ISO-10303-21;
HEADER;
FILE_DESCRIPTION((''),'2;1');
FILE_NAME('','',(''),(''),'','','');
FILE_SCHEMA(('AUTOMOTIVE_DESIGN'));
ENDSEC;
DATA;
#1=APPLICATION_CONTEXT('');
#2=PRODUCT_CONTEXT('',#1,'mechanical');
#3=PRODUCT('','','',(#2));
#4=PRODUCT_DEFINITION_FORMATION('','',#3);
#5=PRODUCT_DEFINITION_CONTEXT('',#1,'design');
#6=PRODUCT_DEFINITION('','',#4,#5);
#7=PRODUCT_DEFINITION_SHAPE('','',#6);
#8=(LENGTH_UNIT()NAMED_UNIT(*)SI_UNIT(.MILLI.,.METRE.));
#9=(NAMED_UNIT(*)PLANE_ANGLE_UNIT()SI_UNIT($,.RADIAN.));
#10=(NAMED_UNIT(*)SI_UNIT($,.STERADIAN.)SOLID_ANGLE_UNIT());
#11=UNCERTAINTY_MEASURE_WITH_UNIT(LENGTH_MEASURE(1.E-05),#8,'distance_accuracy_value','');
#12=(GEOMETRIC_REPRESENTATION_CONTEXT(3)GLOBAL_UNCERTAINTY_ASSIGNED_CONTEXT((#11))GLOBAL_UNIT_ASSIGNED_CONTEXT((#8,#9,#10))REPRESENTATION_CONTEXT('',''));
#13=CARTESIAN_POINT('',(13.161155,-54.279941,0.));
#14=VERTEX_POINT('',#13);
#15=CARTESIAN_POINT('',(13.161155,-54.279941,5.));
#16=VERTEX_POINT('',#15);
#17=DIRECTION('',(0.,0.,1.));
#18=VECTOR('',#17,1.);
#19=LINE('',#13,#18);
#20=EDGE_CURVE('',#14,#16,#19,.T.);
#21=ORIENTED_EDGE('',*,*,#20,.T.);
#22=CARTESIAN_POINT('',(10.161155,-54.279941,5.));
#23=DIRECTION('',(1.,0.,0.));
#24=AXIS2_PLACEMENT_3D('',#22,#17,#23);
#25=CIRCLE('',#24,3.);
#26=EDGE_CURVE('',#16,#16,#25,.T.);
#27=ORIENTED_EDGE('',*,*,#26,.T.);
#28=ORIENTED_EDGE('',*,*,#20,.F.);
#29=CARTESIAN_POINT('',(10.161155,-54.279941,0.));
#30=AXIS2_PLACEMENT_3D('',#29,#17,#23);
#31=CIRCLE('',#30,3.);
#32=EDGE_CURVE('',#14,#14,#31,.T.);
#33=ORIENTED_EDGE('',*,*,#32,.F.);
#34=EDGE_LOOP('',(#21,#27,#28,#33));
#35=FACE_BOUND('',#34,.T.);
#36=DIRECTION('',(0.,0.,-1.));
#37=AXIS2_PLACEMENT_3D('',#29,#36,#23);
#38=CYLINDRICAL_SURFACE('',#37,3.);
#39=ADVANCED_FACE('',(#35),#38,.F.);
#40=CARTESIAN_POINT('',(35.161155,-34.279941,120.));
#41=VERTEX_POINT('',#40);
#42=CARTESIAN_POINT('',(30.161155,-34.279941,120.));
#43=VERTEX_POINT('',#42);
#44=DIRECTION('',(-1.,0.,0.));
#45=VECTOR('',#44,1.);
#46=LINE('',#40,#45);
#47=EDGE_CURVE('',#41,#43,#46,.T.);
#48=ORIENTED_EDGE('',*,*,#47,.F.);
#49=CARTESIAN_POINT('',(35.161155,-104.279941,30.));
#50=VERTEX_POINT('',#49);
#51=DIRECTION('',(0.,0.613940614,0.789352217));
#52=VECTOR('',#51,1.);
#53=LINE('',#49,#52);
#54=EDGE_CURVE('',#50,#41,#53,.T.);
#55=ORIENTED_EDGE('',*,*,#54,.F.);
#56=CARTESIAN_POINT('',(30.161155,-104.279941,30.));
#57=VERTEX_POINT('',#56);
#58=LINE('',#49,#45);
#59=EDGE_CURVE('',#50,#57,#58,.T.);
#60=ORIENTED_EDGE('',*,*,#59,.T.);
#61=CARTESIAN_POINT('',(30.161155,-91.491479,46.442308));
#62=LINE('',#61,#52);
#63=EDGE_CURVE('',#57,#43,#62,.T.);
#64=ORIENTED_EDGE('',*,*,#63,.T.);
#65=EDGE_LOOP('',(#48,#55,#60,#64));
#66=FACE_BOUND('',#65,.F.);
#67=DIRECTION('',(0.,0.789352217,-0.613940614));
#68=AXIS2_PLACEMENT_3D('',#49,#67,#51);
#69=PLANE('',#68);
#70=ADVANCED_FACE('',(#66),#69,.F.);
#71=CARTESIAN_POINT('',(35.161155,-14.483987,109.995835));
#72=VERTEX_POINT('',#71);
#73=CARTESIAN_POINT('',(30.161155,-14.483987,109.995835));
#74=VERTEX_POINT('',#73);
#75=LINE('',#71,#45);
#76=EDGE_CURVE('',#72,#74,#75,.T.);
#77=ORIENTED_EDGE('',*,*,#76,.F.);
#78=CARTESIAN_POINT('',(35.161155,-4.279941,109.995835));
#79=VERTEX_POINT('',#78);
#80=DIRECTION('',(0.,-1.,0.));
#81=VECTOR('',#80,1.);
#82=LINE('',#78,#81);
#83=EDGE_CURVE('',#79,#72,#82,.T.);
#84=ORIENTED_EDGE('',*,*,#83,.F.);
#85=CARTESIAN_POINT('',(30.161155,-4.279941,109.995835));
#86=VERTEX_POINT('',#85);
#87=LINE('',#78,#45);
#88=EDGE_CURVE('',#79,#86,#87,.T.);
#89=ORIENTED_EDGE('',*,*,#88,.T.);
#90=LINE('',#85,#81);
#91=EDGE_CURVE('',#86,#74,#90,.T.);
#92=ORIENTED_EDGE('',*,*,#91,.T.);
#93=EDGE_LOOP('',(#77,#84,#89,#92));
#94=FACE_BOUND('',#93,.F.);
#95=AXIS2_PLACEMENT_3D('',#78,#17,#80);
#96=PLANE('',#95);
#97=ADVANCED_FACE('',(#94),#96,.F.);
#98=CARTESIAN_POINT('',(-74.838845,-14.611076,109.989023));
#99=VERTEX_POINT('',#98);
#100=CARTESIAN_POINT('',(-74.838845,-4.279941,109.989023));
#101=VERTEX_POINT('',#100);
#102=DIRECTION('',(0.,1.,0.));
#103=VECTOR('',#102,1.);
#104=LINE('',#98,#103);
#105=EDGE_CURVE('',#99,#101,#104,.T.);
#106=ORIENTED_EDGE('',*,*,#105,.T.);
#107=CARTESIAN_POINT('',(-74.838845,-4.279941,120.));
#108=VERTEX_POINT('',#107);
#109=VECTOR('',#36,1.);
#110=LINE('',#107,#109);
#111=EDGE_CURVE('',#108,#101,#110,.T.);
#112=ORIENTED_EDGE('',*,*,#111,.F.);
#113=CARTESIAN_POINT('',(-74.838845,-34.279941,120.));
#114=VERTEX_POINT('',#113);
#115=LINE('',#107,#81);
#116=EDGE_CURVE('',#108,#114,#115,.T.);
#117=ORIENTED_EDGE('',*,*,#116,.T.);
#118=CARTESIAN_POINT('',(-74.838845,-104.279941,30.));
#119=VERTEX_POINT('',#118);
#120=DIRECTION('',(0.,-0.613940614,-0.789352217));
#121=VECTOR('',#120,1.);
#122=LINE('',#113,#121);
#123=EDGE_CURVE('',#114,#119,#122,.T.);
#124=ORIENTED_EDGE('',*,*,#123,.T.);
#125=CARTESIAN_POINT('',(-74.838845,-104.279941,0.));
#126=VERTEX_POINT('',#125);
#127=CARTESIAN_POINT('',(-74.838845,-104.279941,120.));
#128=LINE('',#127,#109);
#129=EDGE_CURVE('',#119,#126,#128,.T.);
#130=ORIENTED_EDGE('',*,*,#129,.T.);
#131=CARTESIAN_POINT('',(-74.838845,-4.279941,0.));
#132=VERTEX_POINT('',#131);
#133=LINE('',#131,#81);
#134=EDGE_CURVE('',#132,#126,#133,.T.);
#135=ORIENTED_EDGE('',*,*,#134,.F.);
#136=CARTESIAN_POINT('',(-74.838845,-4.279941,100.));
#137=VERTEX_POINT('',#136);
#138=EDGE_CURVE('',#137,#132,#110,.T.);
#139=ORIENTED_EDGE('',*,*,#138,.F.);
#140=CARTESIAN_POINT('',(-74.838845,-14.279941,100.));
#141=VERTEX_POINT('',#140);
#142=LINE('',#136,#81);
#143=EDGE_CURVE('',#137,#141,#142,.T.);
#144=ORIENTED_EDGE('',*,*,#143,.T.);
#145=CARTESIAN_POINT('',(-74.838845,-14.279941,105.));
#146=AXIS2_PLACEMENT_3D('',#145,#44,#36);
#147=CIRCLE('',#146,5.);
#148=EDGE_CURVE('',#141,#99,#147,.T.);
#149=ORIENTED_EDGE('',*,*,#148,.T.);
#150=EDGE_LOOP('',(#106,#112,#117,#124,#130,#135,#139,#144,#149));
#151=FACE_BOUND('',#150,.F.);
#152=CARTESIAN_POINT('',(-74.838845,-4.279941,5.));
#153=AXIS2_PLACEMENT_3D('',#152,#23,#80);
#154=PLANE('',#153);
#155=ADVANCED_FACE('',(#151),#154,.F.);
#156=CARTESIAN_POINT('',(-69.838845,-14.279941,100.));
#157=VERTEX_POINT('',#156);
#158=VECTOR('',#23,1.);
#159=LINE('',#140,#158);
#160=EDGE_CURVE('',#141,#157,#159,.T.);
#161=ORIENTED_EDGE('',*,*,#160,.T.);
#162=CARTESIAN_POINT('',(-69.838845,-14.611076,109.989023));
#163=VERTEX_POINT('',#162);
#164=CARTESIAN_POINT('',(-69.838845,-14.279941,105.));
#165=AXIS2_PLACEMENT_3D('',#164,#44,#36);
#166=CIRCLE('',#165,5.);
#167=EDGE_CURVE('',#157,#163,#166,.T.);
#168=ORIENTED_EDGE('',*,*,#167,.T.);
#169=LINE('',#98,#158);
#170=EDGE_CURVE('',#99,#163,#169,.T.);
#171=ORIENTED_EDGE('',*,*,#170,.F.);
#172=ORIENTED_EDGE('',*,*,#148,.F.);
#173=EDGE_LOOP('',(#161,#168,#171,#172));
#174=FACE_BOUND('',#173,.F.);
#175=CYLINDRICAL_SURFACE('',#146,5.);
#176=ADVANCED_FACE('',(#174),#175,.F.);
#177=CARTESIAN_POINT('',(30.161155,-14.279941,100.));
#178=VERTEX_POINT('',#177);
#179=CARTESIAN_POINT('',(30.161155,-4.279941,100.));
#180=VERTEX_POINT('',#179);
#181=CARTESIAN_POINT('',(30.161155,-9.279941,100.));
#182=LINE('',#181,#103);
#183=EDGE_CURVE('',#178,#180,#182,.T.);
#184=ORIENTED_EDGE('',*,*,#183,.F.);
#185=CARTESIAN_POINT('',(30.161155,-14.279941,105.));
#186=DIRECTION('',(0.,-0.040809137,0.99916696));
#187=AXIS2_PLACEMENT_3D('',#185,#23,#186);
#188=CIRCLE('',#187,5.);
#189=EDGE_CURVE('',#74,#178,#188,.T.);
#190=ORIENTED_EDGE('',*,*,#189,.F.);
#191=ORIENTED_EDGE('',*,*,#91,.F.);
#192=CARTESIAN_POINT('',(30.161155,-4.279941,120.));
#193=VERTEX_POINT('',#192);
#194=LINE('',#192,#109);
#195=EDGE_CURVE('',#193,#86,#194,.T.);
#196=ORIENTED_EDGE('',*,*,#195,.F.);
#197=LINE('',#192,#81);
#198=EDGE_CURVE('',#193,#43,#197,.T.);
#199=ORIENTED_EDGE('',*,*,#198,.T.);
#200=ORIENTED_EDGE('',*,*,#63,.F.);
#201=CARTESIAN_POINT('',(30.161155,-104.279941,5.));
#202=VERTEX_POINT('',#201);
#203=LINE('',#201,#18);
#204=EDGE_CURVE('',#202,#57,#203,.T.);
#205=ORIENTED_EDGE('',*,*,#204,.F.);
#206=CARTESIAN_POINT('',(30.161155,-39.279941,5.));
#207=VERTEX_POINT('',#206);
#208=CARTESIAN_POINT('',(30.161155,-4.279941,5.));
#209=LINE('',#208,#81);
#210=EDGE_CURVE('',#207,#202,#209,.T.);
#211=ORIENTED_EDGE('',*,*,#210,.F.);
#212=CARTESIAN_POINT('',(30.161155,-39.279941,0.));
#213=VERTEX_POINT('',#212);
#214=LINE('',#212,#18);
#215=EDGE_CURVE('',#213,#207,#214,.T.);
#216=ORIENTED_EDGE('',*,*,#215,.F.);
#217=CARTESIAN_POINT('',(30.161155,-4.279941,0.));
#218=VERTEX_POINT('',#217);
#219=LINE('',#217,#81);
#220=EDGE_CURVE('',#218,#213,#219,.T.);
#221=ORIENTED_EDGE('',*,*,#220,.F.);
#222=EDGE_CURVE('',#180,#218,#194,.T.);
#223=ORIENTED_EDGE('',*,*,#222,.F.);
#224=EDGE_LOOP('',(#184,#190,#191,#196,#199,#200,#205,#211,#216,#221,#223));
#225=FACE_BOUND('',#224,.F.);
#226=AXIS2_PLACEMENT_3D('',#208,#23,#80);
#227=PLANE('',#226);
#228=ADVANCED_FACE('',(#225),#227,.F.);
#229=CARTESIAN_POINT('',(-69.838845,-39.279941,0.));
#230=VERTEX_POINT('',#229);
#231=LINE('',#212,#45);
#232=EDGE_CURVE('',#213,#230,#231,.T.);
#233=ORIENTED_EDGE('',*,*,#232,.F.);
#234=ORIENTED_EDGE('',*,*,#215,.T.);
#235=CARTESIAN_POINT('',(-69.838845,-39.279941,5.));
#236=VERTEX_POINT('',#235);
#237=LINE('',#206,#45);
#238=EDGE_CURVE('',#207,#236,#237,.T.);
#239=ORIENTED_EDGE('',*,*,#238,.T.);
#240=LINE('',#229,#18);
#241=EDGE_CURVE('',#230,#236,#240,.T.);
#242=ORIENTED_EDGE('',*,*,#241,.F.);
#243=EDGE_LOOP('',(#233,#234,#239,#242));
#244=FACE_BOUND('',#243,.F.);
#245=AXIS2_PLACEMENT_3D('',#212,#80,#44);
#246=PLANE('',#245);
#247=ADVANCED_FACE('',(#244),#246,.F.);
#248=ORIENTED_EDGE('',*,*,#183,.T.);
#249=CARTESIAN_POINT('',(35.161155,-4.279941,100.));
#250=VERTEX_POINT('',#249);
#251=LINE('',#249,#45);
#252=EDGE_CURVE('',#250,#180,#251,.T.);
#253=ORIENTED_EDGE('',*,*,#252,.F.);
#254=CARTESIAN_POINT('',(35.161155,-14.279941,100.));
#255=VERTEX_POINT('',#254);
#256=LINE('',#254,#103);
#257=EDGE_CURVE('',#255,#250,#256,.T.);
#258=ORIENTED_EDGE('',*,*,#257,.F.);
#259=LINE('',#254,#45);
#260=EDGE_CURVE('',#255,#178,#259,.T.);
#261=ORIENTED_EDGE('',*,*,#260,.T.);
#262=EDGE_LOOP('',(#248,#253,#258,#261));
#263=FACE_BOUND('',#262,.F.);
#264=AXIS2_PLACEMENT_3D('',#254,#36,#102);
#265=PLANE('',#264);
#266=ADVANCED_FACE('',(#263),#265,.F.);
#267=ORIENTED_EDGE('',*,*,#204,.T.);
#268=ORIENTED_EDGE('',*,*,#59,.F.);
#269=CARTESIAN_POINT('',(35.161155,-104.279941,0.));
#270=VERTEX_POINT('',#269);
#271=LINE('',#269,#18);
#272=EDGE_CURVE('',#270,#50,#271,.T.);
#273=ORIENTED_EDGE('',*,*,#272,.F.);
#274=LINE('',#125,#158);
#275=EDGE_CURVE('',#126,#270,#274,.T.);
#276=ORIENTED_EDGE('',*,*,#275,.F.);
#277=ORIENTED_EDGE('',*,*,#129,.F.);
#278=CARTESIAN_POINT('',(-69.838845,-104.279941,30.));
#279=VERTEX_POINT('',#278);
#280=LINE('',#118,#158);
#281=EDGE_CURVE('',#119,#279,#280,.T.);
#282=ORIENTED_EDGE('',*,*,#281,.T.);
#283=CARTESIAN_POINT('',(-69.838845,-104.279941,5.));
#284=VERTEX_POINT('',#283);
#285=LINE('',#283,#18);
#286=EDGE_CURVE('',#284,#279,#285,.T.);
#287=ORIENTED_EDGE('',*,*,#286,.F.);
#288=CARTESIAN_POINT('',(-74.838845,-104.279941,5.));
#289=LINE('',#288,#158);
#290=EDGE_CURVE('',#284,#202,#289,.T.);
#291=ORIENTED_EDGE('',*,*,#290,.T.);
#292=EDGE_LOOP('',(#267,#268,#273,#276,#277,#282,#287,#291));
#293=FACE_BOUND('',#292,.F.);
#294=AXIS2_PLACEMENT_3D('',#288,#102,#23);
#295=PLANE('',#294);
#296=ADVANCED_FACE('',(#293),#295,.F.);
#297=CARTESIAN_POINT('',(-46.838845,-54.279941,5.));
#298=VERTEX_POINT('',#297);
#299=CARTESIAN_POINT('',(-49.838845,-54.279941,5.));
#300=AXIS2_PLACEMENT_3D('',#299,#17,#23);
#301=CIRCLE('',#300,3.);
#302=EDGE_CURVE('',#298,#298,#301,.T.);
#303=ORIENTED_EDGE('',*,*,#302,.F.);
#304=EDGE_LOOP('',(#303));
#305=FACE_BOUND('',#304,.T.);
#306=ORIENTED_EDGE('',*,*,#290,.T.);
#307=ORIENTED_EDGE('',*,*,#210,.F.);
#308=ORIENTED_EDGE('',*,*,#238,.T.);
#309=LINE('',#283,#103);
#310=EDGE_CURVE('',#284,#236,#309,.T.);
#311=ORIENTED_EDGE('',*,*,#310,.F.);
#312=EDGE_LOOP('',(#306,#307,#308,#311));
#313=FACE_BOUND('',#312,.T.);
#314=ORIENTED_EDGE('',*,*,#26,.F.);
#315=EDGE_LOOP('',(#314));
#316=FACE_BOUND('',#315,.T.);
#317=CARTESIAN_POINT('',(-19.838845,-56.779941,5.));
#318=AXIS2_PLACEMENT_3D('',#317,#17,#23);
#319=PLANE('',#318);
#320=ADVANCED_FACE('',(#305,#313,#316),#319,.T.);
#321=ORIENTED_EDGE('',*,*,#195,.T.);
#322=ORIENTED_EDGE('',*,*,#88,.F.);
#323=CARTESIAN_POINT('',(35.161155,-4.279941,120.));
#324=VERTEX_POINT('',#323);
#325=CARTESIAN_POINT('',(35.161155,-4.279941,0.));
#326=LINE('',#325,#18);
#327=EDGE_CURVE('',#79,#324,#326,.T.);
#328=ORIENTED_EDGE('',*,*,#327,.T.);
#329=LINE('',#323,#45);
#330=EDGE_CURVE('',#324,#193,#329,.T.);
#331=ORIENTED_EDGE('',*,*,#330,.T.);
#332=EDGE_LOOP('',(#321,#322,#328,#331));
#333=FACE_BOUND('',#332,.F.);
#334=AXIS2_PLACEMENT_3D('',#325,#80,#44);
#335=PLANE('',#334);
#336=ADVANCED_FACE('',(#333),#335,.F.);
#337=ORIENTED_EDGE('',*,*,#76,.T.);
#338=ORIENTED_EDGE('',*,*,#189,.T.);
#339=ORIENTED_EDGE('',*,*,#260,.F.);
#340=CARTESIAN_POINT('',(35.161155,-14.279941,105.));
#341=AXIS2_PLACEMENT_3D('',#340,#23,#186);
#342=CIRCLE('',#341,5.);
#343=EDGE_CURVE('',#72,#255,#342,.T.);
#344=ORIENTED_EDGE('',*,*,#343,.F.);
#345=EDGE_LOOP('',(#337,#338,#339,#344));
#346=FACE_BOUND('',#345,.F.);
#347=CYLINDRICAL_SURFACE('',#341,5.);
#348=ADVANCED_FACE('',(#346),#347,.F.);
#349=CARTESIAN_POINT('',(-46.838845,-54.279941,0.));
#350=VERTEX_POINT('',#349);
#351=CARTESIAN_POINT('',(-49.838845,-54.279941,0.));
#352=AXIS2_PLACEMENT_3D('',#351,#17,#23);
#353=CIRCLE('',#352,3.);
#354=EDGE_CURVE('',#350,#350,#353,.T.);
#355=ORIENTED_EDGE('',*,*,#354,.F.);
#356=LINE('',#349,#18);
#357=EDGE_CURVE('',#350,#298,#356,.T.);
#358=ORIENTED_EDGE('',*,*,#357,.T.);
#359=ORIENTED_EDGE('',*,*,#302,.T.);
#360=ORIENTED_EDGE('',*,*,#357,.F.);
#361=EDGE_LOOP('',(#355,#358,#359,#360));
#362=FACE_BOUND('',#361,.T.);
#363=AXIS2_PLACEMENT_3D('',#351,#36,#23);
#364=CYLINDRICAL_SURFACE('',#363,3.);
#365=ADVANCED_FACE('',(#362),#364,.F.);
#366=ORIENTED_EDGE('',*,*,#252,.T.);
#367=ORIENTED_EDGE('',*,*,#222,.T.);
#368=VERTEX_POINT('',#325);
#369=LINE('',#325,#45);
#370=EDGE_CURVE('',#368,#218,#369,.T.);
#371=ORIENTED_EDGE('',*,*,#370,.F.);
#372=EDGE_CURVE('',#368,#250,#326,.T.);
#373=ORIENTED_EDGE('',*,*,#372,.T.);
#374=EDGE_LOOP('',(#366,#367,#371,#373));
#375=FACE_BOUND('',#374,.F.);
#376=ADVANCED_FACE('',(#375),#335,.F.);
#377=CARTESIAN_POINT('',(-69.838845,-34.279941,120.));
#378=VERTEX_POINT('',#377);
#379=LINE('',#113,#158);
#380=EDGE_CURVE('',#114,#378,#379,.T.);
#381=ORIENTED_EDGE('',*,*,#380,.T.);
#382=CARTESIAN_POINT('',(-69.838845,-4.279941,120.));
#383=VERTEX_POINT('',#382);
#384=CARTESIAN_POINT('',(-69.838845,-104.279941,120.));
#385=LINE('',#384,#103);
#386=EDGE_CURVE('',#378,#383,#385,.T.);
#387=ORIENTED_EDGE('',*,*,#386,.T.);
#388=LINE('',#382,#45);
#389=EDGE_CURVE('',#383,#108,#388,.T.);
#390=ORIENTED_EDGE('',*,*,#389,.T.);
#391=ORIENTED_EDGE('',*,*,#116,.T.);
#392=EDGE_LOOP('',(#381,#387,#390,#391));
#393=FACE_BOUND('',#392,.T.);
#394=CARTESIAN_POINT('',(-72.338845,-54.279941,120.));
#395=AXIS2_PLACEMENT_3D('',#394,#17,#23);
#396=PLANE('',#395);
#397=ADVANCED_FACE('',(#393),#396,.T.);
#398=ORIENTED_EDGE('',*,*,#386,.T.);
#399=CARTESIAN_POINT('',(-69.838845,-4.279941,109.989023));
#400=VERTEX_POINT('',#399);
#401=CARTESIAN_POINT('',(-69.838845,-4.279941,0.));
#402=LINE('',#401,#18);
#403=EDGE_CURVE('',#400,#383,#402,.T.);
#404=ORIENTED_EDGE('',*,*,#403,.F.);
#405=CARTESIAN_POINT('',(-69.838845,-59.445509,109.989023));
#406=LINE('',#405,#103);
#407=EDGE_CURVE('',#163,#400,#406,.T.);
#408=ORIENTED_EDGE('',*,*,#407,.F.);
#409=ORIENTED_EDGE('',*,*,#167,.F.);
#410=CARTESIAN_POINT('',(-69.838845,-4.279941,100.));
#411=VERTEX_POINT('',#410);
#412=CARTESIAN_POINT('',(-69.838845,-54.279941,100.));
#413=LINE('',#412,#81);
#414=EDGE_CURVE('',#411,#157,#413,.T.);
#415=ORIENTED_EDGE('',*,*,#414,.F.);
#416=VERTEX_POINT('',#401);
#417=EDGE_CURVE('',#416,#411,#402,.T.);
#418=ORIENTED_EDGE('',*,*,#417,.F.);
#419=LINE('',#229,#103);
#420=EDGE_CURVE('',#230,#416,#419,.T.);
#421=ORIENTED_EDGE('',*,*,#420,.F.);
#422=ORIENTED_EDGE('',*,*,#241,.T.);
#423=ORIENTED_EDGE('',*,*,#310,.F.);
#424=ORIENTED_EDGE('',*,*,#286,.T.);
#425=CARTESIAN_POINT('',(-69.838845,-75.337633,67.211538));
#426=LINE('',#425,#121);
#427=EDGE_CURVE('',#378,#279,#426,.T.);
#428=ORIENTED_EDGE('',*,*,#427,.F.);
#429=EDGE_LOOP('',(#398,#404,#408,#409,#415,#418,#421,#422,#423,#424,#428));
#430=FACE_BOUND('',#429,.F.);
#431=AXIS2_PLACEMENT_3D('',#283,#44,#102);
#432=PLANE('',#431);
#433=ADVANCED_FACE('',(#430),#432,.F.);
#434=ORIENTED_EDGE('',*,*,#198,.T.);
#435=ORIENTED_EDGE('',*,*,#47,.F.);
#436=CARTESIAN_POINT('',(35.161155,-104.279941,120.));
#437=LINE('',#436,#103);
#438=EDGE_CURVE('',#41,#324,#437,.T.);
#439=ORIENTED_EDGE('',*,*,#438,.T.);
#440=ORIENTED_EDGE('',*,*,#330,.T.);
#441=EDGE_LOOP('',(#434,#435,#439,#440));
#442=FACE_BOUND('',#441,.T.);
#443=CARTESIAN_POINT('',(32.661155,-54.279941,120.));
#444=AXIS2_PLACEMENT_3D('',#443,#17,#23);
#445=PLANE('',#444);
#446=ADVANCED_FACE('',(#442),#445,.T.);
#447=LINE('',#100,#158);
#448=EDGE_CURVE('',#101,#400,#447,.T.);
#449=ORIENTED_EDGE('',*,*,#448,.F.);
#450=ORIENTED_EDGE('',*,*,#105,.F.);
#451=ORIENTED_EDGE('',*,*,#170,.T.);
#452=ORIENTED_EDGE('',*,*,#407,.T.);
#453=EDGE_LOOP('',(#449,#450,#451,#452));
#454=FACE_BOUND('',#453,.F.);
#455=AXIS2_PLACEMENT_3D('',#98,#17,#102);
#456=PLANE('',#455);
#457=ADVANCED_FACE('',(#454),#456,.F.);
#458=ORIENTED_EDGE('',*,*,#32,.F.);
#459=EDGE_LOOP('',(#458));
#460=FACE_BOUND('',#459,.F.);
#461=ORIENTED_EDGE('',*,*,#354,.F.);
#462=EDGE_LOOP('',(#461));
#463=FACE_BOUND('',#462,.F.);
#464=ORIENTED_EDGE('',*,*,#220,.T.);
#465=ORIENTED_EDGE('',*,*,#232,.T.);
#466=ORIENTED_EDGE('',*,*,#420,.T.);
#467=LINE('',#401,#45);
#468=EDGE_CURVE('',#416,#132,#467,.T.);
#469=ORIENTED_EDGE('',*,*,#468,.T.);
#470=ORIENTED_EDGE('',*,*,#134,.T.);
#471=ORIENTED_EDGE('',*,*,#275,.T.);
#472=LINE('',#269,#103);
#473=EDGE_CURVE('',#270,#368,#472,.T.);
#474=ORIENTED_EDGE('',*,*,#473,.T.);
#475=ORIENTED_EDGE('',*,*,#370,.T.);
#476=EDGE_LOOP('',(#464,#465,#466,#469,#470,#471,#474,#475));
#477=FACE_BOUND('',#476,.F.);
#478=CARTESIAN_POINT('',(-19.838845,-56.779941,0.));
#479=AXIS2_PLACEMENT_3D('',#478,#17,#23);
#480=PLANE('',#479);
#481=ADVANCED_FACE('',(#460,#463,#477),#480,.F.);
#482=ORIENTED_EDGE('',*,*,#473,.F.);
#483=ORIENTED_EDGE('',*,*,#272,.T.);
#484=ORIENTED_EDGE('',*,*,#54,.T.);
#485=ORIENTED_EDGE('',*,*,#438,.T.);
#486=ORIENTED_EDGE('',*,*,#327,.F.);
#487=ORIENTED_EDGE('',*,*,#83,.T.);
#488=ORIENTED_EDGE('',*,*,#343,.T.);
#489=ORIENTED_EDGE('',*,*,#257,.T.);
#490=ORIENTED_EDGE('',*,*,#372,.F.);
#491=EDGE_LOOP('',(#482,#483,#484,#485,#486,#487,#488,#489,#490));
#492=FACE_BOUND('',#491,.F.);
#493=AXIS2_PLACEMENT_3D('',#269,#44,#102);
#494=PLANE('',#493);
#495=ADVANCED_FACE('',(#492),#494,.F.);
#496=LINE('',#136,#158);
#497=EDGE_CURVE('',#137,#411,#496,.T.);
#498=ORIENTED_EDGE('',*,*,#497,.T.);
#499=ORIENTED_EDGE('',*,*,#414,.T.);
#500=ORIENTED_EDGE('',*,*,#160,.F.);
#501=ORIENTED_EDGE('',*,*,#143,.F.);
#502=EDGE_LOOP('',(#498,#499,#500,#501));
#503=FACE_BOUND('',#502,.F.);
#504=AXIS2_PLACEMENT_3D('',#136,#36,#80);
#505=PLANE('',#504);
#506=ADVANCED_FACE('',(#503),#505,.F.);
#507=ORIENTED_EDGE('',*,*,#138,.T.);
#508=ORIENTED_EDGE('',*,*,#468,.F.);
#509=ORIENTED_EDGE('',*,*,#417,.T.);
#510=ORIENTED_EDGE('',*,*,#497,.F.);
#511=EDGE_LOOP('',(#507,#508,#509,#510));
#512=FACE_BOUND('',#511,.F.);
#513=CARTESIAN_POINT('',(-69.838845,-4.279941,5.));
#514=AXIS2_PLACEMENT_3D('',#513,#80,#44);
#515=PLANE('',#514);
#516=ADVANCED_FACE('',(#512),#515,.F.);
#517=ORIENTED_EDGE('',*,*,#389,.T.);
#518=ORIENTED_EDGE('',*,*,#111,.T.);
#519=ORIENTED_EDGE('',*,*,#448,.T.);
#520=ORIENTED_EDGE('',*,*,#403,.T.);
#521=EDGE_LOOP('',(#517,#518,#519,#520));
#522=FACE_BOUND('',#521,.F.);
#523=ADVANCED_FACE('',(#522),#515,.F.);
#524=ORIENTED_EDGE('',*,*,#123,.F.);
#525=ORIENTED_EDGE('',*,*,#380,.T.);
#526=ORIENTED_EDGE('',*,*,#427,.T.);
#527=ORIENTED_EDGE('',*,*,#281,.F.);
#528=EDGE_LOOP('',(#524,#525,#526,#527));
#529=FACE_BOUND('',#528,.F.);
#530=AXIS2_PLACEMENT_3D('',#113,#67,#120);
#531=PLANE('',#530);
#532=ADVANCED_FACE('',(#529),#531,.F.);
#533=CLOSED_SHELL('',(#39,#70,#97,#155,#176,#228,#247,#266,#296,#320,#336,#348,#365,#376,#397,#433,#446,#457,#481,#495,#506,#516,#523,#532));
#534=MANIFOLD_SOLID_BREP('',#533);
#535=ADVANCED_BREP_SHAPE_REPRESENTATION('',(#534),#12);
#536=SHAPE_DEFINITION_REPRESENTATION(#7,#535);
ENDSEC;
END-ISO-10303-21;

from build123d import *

# Parameters (mm, degrees)
F0_R     = 3
F1_DEPTH = 5
F3_DEPTH = 115
F5_DEPTH = 25
F7_DEPTH = 25


with BuildPart() as f1:
    # F0 (on Top) → F1 (new body)
    with BuildSketch(Plane.XY):
        Polygon((-74.838845, -4.279941), (-74.838845, -104.279941), (35.161155, -104.279941), (35.161155, -4.279941), (30.161155, -4.279941), (30.161155, -39.279941), (-69.838845, -39.279941), (-69.838845, -4.279941), align=None)
        with Locations((-49.838845, -54.279941)):
            Circle(F0_R, mode=Mode.SUBTRACT)
        with Locations((10.161155, -54.279941)):
            Circle(F0_R, mode=Mode.SUBTRACT)
    extrude(amount=F1_DEPTH)

    # F2 (on face) → F3 (join)
    with BuildSketch(Plane.XY.offset(5)):
        Polygon((-74.838845, -104.279941), (-69.838845, -104.279941), (-69.838845, -39.279941), (-69.838845, -4.279941), (-74.838845, -4.279941), align=None)
        Polygon((30.161155, -39.279941), (30.161155, -104.279941), (35.161155, -104.279941), (35.161155, -4.279941), (30.161155, -4.279941), align=None)
    extrude(amount=F3_DEPTH)

    # F4 (on face) → F5 (cut)
    with BuildSketch(Plane.YZ.offset(35.161155)):
        Polygon((-104.279941, 30), (-34.279941, 120), (-104.279941, 120), align=None)
        with BuildLine():
            Line((-4.279941, 100), (-4.279941, 109.995835))
            Line((-4.279941, 109.995835), (-14.075894, 109.995835))
            Line((-14.075894, 109.995835), (-14.483987, 109.995835))
            ThreePointArc((-14.483987, 109.995835), (-19.2789, 104.897956), (-14.279941, 100))
            Line((-14.279941, 100), (-4.279941, 100))
        make_face()
    extrude(amount=-F5_DEPTH, mode=Mode.SUBTRACT)

    # F6 (on face) → F7 (cut)
    with BuildSketch(Plane(origin=(-74.838845, 0, 0), x_dir=(0, -1, 0), z_dir=(-1, 0, 0))):
        with BuildLine():
            Line((13.948806, 109.989023), (4.279941, 109.989023))
            Line((4.279941, 109.989023), (4.279941, 100))
            Line((4.279941, 100), (14.279941, 100))
            ThreePointArc((14.279941, 100), (19.277196, 104.834341), (14.611076, 109.989023))
            Line((14.611076, 109.989023), (13.948806, 109.989023))
        make_face()
        Polygon((104.279941, 120), (34.279941, 120), (104.279941, 30), align=None)
    extrude(amount=-F7_DEPTH, mode=Mode.SUBTRACT)


solid = f1.part
